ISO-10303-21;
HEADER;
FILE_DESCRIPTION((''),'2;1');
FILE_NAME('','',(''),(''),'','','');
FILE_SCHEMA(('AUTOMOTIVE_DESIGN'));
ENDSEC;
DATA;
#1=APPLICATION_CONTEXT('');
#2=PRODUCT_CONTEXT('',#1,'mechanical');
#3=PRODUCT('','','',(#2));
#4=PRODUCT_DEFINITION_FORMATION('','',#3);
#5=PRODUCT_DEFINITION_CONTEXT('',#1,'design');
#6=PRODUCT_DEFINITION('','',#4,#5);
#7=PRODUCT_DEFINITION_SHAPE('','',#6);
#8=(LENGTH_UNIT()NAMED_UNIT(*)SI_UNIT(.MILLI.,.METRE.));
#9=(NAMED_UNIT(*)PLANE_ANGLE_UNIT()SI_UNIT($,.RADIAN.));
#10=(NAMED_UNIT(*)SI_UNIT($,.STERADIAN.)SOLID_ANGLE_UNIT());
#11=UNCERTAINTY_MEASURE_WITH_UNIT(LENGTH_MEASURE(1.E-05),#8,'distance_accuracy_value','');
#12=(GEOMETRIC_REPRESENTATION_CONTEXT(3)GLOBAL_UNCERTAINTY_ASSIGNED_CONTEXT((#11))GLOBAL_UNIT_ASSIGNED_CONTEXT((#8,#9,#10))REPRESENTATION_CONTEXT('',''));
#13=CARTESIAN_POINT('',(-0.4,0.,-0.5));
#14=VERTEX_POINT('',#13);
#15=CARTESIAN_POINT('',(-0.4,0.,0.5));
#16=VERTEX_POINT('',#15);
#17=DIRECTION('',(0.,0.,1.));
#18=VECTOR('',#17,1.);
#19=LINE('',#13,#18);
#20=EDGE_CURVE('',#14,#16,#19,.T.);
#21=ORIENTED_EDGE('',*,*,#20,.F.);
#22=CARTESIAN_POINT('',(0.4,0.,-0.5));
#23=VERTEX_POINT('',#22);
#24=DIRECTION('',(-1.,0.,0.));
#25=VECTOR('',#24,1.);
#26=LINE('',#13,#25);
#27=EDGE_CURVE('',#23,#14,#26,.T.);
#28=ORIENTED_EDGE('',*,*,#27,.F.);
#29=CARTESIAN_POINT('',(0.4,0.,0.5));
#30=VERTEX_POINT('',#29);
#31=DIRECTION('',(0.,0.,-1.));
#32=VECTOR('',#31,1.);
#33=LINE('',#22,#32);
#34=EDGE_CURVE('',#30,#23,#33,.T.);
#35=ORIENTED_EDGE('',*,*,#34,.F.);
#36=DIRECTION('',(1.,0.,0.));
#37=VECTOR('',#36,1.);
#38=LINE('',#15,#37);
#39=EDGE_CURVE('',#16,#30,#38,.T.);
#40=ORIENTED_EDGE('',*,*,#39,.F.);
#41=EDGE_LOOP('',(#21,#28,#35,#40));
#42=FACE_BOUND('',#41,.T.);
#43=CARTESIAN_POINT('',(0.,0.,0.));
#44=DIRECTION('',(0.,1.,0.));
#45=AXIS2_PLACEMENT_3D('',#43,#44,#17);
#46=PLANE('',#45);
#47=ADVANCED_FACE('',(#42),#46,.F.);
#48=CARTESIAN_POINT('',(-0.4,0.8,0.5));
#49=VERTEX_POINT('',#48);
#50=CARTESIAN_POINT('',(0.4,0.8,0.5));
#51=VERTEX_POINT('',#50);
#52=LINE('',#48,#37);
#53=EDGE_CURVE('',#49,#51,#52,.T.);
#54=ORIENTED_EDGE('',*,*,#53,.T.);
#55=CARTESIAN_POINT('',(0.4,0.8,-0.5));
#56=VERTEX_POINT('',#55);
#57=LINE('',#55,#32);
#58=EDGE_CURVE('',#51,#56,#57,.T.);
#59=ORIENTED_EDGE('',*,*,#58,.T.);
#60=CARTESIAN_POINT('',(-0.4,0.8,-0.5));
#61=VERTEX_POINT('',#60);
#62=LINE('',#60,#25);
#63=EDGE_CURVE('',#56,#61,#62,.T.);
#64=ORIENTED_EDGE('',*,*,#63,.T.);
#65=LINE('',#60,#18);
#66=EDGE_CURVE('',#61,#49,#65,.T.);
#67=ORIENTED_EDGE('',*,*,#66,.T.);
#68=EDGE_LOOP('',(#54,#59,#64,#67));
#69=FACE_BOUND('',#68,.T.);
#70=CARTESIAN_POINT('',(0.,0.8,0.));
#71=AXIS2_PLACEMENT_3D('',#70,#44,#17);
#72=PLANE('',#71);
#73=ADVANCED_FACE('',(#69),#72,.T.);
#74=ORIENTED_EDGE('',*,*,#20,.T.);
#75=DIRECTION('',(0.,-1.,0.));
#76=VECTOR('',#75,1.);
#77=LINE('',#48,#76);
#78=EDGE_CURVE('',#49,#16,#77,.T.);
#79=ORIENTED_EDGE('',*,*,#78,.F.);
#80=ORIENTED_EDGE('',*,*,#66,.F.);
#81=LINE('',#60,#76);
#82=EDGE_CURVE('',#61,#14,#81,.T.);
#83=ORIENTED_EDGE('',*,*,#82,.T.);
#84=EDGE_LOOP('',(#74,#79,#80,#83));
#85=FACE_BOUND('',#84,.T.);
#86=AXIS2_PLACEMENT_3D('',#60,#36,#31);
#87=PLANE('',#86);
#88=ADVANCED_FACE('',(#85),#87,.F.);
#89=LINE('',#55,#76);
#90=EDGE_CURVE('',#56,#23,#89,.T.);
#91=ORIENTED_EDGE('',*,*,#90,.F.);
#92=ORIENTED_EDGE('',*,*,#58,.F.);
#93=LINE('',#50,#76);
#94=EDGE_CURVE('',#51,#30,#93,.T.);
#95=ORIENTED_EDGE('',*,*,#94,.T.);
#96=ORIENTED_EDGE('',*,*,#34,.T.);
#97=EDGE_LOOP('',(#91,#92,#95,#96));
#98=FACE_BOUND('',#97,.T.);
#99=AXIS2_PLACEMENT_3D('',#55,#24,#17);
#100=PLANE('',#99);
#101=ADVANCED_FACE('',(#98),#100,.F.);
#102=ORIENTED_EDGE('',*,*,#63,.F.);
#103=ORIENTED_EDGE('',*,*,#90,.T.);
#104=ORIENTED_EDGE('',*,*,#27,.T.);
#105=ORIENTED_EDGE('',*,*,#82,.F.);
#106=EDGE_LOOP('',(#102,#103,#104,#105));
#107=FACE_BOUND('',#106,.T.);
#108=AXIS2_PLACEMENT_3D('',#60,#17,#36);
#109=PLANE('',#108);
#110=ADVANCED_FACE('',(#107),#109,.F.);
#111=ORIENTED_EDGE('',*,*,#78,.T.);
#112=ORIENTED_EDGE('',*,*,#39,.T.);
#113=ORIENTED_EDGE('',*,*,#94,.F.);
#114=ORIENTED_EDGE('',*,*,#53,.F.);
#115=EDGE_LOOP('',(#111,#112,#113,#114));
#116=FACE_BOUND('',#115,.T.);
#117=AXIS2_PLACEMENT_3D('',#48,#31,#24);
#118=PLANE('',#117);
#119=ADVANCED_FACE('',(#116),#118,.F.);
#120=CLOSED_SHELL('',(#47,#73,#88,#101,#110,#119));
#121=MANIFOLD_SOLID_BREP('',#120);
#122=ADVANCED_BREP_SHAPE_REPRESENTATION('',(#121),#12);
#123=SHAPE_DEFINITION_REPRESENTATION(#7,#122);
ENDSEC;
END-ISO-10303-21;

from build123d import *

# Parameters (mm, degrees)
PROFILES_W    = 0.8
PROFILES_H    = 1
PROFILE_DEPTH = 0.8


with BuildPart() as part:
    # ProfileS → Profile (new body)
    with BuildSketch(Plane(origin=(0, 0, 0), x_dir=(1, 0, 0), z_dir=(0, 1, 0))):
        Rectangle(PROFILES_W, PROFILES_H)
    extrude(amount=PROFILE_DEPTH)


solid = part.part
